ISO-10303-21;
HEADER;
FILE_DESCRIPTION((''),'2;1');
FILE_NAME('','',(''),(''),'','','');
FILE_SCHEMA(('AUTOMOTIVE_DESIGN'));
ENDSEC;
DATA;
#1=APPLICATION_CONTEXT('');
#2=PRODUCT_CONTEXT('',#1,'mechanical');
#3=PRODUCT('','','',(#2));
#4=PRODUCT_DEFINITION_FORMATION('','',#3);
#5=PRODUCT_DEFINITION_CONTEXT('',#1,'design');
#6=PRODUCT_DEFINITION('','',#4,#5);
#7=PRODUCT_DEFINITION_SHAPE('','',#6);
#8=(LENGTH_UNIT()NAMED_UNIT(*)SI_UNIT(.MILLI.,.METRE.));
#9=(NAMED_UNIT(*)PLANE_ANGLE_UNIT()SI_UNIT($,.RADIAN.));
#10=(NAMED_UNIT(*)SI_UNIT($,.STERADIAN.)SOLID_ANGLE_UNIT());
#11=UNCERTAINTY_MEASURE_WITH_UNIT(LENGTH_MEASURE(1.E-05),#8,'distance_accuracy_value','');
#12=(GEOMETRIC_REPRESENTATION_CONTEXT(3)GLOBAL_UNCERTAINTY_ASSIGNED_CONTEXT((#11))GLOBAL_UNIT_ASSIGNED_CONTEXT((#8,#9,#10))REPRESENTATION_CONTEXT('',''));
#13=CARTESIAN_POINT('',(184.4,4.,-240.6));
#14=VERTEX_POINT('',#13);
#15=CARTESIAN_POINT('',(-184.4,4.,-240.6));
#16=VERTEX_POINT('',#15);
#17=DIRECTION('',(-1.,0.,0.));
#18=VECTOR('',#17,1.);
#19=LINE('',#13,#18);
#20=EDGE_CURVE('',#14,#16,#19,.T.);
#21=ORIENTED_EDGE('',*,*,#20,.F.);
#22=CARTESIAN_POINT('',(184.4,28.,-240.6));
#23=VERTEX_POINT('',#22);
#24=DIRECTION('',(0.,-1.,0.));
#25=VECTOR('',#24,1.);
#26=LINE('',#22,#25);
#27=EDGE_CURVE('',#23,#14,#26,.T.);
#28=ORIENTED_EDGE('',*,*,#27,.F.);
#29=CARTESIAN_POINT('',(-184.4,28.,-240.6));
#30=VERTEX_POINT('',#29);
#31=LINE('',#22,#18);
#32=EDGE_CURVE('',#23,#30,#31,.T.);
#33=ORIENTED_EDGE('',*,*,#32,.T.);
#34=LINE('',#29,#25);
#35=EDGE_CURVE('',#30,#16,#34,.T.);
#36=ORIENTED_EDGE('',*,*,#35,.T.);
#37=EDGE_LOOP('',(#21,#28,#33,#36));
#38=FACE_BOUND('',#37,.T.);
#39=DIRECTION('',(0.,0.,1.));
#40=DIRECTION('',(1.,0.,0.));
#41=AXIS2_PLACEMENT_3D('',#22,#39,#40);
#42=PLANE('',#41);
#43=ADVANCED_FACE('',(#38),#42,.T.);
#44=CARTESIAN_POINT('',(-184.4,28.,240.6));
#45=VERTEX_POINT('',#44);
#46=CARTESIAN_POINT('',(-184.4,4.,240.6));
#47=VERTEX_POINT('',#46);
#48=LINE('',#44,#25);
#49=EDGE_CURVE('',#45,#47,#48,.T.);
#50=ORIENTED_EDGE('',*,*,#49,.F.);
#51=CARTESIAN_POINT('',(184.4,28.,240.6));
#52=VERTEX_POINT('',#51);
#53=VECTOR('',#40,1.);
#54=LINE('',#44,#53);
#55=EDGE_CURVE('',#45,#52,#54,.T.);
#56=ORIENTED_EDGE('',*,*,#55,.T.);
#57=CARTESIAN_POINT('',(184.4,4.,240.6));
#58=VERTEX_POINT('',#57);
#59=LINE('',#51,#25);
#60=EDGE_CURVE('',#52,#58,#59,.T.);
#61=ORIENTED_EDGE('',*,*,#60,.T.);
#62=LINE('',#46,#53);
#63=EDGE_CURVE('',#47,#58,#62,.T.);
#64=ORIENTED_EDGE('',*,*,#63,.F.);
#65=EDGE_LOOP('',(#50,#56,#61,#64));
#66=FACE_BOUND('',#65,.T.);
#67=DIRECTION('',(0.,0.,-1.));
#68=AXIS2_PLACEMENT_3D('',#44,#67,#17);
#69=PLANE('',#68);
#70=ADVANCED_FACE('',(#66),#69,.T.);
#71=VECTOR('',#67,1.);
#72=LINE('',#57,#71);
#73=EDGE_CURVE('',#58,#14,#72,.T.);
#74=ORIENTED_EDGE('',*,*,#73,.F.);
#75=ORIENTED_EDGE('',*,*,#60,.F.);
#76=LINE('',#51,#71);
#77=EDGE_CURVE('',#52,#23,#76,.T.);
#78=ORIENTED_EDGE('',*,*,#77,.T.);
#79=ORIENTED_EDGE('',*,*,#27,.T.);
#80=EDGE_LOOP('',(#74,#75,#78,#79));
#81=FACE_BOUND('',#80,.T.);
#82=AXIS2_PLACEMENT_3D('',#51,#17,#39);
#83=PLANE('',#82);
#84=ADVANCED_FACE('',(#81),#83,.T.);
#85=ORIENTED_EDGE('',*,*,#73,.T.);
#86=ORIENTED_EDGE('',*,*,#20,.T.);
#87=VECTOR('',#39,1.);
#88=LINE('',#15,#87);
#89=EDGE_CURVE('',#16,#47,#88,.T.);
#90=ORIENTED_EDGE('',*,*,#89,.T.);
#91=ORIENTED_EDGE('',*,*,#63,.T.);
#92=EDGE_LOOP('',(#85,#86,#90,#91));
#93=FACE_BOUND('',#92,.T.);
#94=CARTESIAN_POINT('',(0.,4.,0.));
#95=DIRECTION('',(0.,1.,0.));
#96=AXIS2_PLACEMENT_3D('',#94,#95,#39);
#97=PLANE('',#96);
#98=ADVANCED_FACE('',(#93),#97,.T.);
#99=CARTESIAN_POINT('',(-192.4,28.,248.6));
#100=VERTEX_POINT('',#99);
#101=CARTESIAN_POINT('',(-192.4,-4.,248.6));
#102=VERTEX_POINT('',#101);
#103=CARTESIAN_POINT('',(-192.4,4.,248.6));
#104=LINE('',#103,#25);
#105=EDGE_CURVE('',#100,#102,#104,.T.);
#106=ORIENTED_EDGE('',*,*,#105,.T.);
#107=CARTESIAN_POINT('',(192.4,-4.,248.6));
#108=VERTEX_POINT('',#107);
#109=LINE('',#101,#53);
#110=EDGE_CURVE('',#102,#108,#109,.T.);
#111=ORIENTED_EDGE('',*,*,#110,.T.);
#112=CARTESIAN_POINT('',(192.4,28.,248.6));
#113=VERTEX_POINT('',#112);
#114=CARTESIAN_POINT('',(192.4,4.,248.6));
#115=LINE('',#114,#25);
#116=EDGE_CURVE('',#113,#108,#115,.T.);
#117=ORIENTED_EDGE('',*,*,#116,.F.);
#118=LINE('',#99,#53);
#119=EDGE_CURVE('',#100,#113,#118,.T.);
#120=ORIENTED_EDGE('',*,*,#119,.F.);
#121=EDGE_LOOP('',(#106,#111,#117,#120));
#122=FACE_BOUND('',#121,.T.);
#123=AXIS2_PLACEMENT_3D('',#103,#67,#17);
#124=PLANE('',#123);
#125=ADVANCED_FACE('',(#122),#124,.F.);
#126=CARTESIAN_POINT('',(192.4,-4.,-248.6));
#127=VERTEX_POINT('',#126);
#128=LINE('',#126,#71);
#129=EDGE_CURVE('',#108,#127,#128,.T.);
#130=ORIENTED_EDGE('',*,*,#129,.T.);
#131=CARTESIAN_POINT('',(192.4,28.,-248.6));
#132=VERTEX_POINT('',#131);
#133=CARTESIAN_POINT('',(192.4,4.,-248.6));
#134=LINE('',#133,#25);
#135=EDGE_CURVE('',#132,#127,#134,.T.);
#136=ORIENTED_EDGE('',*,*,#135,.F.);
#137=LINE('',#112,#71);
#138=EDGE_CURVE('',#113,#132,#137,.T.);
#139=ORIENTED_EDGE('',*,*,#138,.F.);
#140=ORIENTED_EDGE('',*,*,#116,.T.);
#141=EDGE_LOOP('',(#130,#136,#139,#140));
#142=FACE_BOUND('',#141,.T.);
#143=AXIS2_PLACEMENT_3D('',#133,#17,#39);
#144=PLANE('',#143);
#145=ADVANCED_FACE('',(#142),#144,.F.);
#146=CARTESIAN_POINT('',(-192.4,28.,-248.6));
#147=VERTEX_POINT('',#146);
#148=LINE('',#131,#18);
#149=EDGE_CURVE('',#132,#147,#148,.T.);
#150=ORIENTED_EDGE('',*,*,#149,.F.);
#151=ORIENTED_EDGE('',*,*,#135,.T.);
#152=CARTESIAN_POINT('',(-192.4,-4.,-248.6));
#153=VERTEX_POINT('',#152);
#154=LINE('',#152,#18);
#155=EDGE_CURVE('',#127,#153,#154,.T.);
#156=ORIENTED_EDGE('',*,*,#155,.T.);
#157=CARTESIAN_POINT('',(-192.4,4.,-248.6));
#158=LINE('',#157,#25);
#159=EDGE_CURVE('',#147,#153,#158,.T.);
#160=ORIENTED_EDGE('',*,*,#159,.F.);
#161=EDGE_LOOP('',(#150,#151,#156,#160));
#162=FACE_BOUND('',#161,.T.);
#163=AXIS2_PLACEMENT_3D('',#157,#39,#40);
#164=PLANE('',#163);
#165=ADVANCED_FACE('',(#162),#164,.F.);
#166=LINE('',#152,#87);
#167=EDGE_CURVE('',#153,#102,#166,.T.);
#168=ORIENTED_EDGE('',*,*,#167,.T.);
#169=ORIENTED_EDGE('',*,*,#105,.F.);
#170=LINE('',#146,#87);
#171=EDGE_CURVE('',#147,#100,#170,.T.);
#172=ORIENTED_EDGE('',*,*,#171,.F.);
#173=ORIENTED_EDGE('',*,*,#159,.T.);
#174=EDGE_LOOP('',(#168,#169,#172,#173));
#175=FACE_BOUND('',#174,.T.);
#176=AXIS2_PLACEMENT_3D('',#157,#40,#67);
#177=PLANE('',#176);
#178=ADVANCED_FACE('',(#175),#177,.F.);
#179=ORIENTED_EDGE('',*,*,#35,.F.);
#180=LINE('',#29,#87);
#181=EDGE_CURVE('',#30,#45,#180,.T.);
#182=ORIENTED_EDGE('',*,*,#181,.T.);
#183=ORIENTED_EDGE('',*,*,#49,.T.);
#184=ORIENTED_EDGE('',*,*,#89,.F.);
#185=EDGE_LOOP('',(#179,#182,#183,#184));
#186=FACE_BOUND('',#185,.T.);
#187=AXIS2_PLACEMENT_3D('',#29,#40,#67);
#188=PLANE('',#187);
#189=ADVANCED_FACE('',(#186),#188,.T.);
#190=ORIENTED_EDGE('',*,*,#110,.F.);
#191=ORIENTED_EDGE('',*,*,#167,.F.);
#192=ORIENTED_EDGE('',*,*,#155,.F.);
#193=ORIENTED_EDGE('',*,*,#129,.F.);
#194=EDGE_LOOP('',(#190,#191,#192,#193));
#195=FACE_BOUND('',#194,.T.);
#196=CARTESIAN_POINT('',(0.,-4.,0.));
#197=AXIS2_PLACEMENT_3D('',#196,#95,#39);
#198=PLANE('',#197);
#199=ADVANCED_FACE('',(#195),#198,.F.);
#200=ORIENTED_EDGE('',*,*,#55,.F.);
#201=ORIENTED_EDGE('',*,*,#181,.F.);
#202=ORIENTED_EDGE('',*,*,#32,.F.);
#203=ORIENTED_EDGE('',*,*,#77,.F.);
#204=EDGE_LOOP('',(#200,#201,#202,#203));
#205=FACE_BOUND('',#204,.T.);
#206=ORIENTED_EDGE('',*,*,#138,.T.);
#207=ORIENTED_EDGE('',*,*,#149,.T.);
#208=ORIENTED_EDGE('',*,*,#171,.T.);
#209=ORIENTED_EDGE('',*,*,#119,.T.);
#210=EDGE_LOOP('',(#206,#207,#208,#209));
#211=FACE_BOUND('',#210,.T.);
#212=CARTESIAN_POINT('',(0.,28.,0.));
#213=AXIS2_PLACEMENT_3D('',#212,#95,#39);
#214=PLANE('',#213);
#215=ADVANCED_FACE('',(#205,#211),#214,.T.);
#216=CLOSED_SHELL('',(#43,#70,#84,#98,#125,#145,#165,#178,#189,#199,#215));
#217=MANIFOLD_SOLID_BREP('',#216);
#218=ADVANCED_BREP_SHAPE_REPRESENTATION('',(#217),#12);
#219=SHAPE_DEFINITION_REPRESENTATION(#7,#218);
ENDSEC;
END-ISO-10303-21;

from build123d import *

# Parameters (mm, degrees)
SKETCH1_W           = 384.8
SKETCH1_H           = 497.2
BOSS_EXTRUDE1_DEPTH = 4
SKETCH2_W           = 384.8
SKETCH2_H           = 497.2
SKETCH2_W_2         = 368.8
SKETCH2_H_2         = 481.2
BOSS_EXTRUDE2_DEPTH = 24


with BuildPart() as part:
    # Sketch1 → Boss-Extrude1 (new, symmetric)
    with BuildSketch(Plane(origin=(0, 0, 0), x_dir=(1, 0, 0), z_dir=(0, 1, 0))):
        Rectangle(SKETCH1_W, SKETCH1_H)
    extrude(amount=BOSS_EXTRUDE1_DEPTH, both=True)

    # Sketch2 → Boss-Extrude2 (add)
    with BuildSketch(Plane(origin=(0, 4, 0), x_dir=(1, 0, 0), z_dir=(0, 1, 0))):
        Rectangle(SKETCH2_W, SKETCH2_H)
        Rectangle(SKETCH2_W_2, SKETCH2_H_2, mode=Mode.SUBTRACT)
    extrude(amount=BOSS_EXTRUDE2_DEPTH)


solid = part.part
